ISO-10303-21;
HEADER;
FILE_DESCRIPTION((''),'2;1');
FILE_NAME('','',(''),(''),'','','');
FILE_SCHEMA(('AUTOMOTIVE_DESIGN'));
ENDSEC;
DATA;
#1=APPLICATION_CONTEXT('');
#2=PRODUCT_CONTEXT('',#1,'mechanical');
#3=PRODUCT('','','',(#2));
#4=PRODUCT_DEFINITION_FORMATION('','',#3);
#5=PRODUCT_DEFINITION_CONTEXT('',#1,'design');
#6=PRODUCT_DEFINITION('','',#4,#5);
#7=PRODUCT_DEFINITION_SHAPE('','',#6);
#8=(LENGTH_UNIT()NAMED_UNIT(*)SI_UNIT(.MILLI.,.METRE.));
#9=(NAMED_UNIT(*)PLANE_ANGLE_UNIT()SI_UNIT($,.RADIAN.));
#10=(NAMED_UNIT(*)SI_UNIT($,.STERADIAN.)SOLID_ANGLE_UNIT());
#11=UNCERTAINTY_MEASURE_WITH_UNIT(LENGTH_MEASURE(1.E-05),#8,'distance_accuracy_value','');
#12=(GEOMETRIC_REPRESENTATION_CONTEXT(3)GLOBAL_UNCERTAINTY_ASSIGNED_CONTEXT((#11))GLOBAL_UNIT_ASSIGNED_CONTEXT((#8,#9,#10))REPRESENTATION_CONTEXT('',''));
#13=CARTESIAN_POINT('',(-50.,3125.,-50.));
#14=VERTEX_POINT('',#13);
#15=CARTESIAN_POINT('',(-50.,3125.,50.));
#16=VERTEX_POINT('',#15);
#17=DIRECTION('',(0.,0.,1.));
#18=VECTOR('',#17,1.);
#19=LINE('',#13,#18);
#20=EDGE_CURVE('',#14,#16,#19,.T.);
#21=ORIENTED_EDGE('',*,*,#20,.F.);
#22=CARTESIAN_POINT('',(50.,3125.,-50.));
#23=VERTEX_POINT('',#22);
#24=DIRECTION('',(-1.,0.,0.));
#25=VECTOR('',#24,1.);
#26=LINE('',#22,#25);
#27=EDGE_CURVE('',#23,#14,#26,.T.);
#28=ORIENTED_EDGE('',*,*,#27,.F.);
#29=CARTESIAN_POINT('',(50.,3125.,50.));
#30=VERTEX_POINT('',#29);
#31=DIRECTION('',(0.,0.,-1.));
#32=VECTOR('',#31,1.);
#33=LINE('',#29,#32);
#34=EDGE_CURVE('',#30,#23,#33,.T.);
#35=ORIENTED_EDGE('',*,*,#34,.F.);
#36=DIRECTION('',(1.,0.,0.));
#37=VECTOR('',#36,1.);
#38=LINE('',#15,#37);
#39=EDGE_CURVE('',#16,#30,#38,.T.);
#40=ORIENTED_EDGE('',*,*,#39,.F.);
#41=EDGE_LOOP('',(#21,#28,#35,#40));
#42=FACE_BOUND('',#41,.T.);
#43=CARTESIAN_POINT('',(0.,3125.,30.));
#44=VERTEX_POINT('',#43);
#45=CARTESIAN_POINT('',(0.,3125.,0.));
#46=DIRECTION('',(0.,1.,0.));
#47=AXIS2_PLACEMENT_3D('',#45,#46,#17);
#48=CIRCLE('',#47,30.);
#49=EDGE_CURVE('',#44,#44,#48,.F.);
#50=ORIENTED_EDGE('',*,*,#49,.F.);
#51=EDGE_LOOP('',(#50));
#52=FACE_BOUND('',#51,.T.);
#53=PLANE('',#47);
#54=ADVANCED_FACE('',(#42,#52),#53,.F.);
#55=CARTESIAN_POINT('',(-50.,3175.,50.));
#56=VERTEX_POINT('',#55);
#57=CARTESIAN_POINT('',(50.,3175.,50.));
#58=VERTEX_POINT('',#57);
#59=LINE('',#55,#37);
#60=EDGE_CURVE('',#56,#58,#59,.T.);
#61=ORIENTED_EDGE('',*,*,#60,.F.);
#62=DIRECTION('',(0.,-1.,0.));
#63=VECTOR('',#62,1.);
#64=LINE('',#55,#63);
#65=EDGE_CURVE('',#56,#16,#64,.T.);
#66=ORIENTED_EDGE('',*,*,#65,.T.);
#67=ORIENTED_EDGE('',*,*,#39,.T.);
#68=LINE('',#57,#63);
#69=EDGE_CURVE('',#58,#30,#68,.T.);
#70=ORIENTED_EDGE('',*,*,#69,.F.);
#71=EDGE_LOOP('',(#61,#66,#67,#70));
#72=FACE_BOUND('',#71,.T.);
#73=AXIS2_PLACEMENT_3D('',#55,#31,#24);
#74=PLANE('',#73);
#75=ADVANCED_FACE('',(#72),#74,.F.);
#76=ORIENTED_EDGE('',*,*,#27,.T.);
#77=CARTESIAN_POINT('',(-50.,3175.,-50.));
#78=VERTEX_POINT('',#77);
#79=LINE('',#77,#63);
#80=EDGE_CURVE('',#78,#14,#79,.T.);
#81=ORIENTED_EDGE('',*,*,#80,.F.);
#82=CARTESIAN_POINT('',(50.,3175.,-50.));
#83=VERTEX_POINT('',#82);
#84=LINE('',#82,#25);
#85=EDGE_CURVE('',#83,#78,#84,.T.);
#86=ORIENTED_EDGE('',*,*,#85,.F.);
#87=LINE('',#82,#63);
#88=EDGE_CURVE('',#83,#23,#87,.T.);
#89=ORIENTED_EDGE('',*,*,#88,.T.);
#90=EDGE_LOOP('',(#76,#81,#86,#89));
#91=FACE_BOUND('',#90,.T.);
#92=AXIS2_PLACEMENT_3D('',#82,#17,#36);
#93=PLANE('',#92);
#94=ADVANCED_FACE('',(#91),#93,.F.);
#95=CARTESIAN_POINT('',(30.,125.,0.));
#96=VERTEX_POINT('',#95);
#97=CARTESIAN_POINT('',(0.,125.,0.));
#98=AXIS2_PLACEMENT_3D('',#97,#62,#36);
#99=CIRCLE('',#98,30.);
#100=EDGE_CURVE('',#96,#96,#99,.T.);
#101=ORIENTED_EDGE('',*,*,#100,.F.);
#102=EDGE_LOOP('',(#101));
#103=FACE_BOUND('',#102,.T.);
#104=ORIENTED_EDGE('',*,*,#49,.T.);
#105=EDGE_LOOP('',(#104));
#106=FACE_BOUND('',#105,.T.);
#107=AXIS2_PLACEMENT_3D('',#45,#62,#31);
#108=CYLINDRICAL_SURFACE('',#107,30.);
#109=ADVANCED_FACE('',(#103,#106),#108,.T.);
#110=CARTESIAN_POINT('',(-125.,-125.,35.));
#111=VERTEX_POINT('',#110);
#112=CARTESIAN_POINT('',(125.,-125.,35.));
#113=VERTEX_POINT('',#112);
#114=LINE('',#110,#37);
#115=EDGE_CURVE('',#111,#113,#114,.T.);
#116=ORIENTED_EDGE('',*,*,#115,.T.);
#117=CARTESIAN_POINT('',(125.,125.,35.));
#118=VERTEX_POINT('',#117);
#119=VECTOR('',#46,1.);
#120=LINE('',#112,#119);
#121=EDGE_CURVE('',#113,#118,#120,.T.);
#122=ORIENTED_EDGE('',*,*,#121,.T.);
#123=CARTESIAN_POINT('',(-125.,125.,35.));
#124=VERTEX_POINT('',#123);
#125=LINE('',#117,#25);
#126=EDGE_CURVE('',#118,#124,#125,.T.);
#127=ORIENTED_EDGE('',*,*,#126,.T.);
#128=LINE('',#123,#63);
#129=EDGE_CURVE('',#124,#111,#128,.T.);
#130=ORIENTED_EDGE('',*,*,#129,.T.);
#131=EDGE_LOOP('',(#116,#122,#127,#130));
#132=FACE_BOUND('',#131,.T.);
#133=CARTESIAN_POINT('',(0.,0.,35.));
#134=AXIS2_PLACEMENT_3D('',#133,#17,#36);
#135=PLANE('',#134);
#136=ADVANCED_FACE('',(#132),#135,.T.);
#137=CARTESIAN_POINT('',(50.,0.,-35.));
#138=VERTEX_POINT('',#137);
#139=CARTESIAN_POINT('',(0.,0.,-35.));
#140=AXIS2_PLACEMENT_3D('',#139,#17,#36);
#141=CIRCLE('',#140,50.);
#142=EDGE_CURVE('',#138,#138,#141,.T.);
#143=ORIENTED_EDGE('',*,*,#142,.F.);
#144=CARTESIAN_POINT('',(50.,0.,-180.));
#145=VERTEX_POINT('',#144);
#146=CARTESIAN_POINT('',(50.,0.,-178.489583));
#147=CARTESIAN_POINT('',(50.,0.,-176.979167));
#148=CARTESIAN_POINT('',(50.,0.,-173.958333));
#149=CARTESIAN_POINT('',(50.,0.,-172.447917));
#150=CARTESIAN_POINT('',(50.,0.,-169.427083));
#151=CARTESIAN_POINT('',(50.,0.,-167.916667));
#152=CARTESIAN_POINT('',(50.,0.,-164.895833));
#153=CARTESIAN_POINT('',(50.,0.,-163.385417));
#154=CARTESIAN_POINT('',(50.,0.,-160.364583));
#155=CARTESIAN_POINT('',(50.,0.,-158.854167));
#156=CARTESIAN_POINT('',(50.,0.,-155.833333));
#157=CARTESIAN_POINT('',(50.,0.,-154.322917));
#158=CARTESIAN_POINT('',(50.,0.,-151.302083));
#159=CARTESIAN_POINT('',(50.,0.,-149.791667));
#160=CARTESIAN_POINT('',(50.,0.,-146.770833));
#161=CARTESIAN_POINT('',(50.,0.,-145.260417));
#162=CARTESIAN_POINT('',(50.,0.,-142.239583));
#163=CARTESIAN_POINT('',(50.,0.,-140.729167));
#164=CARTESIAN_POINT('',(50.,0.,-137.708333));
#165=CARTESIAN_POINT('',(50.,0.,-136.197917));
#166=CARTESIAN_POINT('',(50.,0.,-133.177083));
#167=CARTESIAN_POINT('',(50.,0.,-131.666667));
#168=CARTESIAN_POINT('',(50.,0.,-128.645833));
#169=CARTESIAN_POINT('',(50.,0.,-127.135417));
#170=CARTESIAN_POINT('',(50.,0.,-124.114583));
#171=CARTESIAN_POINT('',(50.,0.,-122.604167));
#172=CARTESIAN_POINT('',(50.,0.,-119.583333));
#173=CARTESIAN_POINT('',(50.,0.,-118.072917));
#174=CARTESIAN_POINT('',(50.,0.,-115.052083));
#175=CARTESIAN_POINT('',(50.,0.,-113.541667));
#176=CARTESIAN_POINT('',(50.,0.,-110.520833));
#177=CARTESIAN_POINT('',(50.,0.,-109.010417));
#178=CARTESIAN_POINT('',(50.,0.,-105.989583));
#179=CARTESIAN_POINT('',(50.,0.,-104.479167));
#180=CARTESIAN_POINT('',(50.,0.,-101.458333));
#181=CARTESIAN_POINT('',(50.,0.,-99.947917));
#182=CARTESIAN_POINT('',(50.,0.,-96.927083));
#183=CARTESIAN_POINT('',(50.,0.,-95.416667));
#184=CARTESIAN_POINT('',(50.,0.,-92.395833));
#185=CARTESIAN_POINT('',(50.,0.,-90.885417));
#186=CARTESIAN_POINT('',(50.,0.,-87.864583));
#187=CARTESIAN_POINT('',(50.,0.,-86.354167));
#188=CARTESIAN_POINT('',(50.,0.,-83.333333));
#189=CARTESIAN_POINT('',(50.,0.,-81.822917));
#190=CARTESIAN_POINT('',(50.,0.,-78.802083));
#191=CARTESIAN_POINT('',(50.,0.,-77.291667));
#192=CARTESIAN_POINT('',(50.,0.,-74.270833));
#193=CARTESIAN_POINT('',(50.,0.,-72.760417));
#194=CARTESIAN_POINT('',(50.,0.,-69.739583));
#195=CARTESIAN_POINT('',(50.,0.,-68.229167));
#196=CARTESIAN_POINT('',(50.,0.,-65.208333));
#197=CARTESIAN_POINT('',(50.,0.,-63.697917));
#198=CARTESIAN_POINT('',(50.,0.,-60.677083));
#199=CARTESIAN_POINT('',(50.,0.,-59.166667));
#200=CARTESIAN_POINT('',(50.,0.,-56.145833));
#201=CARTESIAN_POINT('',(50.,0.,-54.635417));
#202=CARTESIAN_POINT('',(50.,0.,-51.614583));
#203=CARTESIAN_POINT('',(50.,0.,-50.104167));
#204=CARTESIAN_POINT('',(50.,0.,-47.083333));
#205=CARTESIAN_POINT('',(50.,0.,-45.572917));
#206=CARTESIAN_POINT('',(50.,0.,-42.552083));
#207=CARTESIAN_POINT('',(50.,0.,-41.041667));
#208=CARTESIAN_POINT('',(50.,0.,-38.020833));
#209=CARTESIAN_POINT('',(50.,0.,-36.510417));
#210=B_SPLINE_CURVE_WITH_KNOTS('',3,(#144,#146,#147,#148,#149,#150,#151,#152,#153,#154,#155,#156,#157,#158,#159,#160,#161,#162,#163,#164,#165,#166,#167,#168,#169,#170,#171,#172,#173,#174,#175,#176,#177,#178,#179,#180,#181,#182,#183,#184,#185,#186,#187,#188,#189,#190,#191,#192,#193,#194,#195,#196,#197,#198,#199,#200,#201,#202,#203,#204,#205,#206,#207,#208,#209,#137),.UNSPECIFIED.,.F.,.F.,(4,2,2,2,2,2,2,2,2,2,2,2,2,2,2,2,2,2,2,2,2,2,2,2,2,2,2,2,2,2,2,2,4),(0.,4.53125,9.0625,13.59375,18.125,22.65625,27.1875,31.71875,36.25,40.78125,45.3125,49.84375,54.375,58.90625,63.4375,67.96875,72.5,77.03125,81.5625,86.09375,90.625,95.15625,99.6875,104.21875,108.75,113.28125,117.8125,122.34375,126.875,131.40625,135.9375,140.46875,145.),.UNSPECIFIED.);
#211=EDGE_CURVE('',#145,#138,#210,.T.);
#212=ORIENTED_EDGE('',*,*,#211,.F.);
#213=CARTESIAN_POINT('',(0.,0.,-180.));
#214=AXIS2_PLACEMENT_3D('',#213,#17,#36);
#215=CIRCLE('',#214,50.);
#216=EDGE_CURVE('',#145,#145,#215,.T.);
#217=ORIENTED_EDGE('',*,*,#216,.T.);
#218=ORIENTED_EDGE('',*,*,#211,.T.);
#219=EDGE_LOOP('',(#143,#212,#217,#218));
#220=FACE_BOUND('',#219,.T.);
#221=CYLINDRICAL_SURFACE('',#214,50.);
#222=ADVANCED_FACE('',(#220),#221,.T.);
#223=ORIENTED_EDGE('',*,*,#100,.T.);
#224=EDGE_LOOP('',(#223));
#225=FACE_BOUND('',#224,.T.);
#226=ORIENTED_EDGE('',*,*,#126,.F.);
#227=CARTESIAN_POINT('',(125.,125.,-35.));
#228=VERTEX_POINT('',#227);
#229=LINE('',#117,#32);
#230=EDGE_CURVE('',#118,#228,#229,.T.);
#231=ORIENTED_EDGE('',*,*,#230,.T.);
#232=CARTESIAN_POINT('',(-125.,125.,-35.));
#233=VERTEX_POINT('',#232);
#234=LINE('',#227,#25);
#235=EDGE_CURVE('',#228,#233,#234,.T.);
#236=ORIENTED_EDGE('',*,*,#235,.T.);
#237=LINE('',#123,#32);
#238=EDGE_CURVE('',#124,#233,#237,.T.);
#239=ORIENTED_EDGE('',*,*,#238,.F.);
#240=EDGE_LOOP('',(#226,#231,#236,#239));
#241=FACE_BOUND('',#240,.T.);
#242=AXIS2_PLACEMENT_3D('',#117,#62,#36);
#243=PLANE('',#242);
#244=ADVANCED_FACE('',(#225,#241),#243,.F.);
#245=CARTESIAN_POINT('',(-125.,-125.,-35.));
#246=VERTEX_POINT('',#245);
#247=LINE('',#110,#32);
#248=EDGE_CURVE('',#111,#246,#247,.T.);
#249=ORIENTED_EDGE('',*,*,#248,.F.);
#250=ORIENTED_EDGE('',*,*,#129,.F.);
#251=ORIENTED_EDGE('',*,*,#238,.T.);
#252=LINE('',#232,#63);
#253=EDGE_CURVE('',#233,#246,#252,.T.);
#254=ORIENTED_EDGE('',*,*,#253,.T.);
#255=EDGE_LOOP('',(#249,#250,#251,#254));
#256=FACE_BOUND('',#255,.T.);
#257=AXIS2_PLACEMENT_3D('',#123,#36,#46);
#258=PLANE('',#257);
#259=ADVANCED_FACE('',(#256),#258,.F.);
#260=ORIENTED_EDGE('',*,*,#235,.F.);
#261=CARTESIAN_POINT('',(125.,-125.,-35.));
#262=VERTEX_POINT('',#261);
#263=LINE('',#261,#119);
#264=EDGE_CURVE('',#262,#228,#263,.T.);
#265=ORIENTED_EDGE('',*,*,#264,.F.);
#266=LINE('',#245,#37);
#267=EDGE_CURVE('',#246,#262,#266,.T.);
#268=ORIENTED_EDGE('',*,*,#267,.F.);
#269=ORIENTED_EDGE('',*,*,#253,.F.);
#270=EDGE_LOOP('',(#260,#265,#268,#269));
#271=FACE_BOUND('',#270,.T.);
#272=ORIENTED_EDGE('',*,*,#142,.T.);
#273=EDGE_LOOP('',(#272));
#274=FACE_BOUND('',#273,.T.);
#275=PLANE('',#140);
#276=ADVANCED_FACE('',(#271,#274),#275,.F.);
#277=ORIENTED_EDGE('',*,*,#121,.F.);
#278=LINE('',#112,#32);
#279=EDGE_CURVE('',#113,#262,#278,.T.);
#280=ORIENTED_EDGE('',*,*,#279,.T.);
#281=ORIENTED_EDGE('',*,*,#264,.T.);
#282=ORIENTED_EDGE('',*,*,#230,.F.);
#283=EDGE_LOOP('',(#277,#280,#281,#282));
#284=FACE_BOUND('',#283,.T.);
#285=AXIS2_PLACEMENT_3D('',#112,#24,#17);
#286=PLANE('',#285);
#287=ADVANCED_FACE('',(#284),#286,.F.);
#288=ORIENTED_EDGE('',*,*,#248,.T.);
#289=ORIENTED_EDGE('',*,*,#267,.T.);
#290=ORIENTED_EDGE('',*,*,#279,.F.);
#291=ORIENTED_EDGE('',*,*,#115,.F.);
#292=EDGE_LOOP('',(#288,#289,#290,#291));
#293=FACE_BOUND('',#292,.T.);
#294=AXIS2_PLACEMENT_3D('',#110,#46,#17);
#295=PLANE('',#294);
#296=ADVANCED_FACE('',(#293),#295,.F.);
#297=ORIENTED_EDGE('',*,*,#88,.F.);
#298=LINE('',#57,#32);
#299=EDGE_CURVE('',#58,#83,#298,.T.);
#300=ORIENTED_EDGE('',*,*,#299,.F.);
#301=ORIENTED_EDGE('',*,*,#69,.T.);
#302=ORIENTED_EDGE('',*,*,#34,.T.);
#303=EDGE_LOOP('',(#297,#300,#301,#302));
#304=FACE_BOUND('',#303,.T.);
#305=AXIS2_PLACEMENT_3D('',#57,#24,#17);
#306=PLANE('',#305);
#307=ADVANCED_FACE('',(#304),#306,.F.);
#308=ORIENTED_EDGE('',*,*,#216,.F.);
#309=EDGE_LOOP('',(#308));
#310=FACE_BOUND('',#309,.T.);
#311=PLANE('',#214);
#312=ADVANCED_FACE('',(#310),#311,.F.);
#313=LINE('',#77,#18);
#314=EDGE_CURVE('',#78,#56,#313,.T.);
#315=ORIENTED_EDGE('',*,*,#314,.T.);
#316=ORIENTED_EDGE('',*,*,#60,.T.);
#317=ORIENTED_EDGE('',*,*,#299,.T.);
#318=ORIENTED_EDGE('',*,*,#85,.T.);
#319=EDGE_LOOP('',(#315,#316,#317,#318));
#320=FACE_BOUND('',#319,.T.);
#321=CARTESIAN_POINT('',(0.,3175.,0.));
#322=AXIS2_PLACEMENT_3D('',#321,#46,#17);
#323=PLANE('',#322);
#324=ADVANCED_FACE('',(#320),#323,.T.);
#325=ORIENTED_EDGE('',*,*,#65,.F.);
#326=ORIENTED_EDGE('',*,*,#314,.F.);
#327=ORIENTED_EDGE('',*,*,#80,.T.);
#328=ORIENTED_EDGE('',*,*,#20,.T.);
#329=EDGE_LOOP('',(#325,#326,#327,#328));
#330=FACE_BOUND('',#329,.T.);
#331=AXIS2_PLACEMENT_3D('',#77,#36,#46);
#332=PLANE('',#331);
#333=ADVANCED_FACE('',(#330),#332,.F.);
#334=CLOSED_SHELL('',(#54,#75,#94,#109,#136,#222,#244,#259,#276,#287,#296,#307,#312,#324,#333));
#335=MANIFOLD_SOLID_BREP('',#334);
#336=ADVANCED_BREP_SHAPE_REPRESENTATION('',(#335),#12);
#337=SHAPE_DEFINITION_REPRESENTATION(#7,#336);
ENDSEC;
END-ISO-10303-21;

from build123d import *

# Parameters (mm, degrees)
SKETCH_260_W      = 250
SKETCH_260_H      = 250
EXTRUDE_381_DEPTH = 35
EXTRUDE_START     = 125
SKETCH_427_R      = 30
EXTRUDE_458_DEPTH = 3000
SKETCH_521_W      = 100
SKETCH_521_H      = 100
EXTRUDE_612_DEPTH = 50
SKETCH_664_R      = 50
EXTRUDE_692_DEPTH = 180


with BuildPart() as part:
    # Sketch 260 → Extrude 381 (new, symmetric)
    with BuildSketch(Plane.XY):
        Rectangle(SKETCH_260_W, SKETCH_260_H)
    extrude(amount=EXTRUDE_381_DEPTH, both=True)

    # Sketch 427 → Extrude 458 (add)
    with BuildSketch(Plane(origin=(0, 0, 0), x_dir=(1, 0, 0), z_dir=(0, 1, 0)).offset(EXTRUDE_START)):
        Circle(SKETCH_427_R)
    extrude(amount=EXTRUDE_458_DEPTH)

    # Sketch 521 → Extrude 612 (add)
    with BuildSketch(Plane(origin=(0, 3125, 0), x_dir=(1, 0, 0), z_dir=(0, 1, 0))):
        Rectangle(SKETCH_521_W, SKETCH_521_H)
    extrude(amount=EXTRUDE_612_DEPTH)

    # Sketch 664 → Extrude 692 (add)
    with BuildSketch(Plane.XY):
        Circle(SKETCH_664_R)
    extrude(amount=-EXTRUDE_692_DEPTH)


solid = part.part
